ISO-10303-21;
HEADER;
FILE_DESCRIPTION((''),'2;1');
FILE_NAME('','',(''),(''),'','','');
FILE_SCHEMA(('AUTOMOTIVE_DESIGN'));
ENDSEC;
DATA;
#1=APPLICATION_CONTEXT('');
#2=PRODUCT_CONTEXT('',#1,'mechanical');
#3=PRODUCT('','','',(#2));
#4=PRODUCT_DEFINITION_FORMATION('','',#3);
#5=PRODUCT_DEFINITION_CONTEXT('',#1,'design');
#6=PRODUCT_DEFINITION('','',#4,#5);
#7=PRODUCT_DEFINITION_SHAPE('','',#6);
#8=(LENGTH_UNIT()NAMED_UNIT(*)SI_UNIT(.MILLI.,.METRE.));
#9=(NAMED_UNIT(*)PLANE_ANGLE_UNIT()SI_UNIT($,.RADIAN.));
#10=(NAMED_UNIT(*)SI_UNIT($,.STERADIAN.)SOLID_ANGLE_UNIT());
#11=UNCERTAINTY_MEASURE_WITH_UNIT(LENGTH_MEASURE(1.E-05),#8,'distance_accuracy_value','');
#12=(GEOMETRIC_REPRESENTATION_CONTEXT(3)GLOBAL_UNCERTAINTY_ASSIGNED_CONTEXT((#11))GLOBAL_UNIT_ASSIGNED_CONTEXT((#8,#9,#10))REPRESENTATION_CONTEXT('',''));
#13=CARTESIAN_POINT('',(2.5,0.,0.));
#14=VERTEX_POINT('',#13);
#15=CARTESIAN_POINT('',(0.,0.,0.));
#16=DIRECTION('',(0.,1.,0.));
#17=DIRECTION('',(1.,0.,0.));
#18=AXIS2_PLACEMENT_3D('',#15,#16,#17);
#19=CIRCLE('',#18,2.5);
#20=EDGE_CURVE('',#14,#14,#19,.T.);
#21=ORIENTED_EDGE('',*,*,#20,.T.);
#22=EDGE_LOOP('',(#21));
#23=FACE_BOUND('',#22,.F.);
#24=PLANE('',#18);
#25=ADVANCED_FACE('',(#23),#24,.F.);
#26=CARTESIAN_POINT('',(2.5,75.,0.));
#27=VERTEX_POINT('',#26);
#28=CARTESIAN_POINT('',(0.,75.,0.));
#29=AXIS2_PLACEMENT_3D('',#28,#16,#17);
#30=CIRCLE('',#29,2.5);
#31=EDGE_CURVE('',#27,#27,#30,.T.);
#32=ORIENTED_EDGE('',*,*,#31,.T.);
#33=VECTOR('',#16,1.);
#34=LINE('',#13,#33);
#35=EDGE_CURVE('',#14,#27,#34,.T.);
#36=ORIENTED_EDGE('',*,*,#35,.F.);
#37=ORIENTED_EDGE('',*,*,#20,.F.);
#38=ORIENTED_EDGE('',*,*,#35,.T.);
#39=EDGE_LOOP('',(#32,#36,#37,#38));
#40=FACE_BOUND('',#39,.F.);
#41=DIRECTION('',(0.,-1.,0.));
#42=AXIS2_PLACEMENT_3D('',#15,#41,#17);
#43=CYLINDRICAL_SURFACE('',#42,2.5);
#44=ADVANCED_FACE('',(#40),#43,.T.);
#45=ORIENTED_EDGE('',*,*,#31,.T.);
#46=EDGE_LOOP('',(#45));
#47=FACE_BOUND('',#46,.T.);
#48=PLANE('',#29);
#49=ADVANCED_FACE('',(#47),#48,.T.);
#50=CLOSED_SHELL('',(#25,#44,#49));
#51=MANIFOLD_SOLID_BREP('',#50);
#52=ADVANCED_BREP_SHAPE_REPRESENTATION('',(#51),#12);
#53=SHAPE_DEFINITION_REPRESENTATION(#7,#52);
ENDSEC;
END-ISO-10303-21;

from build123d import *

# Parameters (mm, degrees)
SKETCH_1_R      = 2.5
EXTRUDE_1_DEPTH = 75


with BuildPart() as part:
    # 草图1 → 凸台-拉伸1 (new body)
    with BuildSketch(Plane(origin=(0, 0, 0), x_dir=(1, 0, 0), z_dir=(0, 1, 0))):
        Circle(SKETCH_1_R)
    extrude(amount=EXTRUDE_1_DEPTH)


solid = part.part
